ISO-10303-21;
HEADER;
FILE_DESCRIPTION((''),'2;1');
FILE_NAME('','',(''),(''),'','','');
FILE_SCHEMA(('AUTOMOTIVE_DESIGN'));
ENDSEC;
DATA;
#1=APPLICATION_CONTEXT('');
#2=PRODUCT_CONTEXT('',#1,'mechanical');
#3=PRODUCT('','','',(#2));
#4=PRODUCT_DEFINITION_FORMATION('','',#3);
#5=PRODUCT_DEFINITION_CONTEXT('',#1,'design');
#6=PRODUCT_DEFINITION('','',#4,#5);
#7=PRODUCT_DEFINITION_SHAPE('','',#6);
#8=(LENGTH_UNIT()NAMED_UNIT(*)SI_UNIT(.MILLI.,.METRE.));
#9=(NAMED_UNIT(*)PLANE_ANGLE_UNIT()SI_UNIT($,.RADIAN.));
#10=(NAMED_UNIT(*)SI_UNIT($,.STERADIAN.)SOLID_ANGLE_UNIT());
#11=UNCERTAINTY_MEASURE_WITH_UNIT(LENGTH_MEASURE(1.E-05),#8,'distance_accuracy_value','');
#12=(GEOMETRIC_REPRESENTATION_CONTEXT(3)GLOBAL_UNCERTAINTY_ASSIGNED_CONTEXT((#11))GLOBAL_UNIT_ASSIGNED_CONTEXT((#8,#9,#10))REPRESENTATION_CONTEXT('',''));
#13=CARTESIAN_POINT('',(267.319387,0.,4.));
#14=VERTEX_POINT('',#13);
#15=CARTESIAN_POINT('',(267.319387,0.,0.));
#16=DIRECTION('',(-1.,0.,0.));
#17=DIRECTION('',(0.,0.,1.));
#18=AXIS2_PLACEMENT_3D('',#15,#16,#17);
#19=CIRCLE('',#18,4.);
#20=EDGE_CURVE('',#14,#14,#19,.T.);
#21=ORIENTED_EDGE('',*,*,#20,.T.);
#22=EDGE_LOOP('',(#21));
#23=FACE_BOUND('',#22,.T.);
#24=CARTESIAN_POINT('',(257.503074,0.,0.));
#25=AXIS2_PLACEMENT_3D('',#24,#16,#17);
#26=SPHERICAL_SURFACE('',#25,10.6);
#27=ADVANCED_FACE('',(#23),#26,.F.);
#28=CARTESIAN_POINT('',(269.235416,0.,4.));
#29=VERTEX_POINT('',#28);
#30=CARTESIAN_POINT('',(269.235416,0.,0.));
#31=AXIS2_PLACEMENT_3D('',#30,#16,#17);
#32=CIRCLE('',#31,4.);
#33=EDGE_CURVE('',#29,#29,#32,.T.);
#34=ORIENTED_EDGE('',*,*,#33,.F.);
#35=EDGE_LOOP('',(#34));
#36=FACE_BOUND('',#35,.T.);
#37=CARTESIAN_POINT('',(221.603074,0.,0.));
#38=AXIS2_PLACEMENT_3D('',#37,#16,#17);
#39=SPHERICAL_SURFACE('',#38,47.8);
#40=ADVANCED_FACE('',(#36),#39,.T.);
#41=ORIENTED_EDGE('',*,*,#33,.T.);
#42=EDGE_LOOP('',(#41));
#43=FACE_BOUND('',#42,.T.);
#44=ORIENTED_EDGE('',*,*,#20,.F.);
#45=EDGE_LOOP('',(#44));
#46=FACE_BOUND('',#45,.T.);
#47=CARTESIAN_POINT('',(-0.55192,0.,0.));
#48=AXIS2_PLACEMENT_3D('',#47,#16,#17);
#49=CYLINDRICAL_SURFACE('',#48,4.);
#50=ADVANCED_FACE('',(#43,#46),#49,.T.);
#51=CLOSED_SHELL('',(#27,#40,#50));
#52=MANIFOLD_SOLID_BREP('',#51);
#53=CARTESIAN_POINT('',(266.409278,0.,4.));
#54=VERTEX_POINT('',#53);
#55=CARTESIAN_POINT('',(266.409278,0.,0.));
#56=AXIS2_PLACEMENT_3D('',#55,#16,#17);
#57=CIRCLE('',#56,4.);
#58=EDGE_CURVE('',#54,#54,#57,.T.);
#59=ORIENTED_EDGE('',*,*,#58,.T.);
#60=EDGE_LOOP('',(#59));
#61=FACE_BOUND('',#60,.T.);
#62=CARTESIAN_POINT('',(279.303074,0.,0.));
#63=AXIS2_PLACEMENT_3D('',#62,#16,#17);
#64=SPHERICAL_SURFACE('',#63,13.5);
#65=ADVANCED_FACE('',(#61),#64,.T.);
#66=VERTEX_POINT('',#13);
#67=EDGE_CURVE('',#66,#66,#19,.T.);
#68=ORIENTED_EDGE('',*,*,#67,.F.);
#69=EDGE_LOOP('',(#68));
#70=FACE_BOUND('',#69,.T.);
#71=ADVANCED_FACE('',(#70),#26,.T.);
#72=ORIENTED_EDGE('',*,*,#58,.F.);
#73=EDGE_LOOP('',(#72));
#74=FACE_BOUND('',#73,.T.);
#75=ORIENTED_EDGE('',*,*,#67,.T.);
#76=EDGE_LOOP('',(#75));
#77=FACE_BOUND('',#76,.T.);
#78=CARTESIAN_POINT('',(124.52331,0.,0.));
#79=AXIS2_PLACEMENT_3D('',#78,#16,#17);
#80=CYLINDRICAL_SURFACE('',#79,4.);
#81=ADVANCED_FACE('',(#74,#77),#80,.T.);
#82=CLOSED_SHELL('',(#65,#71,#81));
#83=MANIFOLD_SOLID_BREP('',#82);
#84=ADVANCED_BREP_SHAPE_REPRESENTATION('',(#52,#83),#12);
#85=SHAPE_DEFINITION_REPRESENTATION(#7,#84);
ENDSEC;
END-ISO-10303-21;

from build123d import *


with BuildPart() as part:
    # 草图1 one side → 旋转1 (revolve)
    with BuildSketch(Plane(origin=(0, 0, 0), x_dir=(1, 0, 0), z_dir=(0, 1, 0)), mode=Mode.PRIVATE) as revolve_1_sk:
        with BuildLine():
            ThreePointArc((266.409277533, 4), (265.95548559, 2.022837248), (265.803074491, 0))
            Line((265.803074491, 0), (268.103074491, 0))
            ThreePointArc((268.103074491, 0), (267.90530784, 2.038023883), (267.319387444, 4))
            Line((267.319387444, 4), (266.409277533, 4))
        make_face()
    revolve(revolve_1_sk.sketch.rotate(Axis((124.523309526, 0, 0), (1, 0, 0)), 180), axis=Axis((124.523309526, 0, 0), (1, 0, 0)))  # turned: the seam where the file's is


with BuildPart() as body_2:
    # 草图2 one side → 旋转3 (revolve)
    with BuildSketch(Plane(origin=(0, 0, 0), x_dir=(1, 0, 0), z_dir=(0, 1, 0)), mode=Mode.PRIVATE) as revolve_3_sk:
        with BuildLine():
            Line((269.235416445, 4), (267.319387444, 4))
            ThreePointArc((267.319387444, 4), (267.90530784, 2.038023883), (268.103074491, 0))
            Line((268.103074491, 0), (269.403074491, 0))
            ThreePointArc((269.403074491, 0), (269.361141586, 2.001756055), (269.235416445, 4))
        make_face()
    revolve(revolve_3_sk.sketch.rotate(Axis((-0.551919993, 0, 0), (1, 0, 0)), 180), axis=Axis((-0.551919993, 0, 0), (1, 0, 0)))  # turned: the seam where the file's is


solid = Compound([part.part, body_2.part])
